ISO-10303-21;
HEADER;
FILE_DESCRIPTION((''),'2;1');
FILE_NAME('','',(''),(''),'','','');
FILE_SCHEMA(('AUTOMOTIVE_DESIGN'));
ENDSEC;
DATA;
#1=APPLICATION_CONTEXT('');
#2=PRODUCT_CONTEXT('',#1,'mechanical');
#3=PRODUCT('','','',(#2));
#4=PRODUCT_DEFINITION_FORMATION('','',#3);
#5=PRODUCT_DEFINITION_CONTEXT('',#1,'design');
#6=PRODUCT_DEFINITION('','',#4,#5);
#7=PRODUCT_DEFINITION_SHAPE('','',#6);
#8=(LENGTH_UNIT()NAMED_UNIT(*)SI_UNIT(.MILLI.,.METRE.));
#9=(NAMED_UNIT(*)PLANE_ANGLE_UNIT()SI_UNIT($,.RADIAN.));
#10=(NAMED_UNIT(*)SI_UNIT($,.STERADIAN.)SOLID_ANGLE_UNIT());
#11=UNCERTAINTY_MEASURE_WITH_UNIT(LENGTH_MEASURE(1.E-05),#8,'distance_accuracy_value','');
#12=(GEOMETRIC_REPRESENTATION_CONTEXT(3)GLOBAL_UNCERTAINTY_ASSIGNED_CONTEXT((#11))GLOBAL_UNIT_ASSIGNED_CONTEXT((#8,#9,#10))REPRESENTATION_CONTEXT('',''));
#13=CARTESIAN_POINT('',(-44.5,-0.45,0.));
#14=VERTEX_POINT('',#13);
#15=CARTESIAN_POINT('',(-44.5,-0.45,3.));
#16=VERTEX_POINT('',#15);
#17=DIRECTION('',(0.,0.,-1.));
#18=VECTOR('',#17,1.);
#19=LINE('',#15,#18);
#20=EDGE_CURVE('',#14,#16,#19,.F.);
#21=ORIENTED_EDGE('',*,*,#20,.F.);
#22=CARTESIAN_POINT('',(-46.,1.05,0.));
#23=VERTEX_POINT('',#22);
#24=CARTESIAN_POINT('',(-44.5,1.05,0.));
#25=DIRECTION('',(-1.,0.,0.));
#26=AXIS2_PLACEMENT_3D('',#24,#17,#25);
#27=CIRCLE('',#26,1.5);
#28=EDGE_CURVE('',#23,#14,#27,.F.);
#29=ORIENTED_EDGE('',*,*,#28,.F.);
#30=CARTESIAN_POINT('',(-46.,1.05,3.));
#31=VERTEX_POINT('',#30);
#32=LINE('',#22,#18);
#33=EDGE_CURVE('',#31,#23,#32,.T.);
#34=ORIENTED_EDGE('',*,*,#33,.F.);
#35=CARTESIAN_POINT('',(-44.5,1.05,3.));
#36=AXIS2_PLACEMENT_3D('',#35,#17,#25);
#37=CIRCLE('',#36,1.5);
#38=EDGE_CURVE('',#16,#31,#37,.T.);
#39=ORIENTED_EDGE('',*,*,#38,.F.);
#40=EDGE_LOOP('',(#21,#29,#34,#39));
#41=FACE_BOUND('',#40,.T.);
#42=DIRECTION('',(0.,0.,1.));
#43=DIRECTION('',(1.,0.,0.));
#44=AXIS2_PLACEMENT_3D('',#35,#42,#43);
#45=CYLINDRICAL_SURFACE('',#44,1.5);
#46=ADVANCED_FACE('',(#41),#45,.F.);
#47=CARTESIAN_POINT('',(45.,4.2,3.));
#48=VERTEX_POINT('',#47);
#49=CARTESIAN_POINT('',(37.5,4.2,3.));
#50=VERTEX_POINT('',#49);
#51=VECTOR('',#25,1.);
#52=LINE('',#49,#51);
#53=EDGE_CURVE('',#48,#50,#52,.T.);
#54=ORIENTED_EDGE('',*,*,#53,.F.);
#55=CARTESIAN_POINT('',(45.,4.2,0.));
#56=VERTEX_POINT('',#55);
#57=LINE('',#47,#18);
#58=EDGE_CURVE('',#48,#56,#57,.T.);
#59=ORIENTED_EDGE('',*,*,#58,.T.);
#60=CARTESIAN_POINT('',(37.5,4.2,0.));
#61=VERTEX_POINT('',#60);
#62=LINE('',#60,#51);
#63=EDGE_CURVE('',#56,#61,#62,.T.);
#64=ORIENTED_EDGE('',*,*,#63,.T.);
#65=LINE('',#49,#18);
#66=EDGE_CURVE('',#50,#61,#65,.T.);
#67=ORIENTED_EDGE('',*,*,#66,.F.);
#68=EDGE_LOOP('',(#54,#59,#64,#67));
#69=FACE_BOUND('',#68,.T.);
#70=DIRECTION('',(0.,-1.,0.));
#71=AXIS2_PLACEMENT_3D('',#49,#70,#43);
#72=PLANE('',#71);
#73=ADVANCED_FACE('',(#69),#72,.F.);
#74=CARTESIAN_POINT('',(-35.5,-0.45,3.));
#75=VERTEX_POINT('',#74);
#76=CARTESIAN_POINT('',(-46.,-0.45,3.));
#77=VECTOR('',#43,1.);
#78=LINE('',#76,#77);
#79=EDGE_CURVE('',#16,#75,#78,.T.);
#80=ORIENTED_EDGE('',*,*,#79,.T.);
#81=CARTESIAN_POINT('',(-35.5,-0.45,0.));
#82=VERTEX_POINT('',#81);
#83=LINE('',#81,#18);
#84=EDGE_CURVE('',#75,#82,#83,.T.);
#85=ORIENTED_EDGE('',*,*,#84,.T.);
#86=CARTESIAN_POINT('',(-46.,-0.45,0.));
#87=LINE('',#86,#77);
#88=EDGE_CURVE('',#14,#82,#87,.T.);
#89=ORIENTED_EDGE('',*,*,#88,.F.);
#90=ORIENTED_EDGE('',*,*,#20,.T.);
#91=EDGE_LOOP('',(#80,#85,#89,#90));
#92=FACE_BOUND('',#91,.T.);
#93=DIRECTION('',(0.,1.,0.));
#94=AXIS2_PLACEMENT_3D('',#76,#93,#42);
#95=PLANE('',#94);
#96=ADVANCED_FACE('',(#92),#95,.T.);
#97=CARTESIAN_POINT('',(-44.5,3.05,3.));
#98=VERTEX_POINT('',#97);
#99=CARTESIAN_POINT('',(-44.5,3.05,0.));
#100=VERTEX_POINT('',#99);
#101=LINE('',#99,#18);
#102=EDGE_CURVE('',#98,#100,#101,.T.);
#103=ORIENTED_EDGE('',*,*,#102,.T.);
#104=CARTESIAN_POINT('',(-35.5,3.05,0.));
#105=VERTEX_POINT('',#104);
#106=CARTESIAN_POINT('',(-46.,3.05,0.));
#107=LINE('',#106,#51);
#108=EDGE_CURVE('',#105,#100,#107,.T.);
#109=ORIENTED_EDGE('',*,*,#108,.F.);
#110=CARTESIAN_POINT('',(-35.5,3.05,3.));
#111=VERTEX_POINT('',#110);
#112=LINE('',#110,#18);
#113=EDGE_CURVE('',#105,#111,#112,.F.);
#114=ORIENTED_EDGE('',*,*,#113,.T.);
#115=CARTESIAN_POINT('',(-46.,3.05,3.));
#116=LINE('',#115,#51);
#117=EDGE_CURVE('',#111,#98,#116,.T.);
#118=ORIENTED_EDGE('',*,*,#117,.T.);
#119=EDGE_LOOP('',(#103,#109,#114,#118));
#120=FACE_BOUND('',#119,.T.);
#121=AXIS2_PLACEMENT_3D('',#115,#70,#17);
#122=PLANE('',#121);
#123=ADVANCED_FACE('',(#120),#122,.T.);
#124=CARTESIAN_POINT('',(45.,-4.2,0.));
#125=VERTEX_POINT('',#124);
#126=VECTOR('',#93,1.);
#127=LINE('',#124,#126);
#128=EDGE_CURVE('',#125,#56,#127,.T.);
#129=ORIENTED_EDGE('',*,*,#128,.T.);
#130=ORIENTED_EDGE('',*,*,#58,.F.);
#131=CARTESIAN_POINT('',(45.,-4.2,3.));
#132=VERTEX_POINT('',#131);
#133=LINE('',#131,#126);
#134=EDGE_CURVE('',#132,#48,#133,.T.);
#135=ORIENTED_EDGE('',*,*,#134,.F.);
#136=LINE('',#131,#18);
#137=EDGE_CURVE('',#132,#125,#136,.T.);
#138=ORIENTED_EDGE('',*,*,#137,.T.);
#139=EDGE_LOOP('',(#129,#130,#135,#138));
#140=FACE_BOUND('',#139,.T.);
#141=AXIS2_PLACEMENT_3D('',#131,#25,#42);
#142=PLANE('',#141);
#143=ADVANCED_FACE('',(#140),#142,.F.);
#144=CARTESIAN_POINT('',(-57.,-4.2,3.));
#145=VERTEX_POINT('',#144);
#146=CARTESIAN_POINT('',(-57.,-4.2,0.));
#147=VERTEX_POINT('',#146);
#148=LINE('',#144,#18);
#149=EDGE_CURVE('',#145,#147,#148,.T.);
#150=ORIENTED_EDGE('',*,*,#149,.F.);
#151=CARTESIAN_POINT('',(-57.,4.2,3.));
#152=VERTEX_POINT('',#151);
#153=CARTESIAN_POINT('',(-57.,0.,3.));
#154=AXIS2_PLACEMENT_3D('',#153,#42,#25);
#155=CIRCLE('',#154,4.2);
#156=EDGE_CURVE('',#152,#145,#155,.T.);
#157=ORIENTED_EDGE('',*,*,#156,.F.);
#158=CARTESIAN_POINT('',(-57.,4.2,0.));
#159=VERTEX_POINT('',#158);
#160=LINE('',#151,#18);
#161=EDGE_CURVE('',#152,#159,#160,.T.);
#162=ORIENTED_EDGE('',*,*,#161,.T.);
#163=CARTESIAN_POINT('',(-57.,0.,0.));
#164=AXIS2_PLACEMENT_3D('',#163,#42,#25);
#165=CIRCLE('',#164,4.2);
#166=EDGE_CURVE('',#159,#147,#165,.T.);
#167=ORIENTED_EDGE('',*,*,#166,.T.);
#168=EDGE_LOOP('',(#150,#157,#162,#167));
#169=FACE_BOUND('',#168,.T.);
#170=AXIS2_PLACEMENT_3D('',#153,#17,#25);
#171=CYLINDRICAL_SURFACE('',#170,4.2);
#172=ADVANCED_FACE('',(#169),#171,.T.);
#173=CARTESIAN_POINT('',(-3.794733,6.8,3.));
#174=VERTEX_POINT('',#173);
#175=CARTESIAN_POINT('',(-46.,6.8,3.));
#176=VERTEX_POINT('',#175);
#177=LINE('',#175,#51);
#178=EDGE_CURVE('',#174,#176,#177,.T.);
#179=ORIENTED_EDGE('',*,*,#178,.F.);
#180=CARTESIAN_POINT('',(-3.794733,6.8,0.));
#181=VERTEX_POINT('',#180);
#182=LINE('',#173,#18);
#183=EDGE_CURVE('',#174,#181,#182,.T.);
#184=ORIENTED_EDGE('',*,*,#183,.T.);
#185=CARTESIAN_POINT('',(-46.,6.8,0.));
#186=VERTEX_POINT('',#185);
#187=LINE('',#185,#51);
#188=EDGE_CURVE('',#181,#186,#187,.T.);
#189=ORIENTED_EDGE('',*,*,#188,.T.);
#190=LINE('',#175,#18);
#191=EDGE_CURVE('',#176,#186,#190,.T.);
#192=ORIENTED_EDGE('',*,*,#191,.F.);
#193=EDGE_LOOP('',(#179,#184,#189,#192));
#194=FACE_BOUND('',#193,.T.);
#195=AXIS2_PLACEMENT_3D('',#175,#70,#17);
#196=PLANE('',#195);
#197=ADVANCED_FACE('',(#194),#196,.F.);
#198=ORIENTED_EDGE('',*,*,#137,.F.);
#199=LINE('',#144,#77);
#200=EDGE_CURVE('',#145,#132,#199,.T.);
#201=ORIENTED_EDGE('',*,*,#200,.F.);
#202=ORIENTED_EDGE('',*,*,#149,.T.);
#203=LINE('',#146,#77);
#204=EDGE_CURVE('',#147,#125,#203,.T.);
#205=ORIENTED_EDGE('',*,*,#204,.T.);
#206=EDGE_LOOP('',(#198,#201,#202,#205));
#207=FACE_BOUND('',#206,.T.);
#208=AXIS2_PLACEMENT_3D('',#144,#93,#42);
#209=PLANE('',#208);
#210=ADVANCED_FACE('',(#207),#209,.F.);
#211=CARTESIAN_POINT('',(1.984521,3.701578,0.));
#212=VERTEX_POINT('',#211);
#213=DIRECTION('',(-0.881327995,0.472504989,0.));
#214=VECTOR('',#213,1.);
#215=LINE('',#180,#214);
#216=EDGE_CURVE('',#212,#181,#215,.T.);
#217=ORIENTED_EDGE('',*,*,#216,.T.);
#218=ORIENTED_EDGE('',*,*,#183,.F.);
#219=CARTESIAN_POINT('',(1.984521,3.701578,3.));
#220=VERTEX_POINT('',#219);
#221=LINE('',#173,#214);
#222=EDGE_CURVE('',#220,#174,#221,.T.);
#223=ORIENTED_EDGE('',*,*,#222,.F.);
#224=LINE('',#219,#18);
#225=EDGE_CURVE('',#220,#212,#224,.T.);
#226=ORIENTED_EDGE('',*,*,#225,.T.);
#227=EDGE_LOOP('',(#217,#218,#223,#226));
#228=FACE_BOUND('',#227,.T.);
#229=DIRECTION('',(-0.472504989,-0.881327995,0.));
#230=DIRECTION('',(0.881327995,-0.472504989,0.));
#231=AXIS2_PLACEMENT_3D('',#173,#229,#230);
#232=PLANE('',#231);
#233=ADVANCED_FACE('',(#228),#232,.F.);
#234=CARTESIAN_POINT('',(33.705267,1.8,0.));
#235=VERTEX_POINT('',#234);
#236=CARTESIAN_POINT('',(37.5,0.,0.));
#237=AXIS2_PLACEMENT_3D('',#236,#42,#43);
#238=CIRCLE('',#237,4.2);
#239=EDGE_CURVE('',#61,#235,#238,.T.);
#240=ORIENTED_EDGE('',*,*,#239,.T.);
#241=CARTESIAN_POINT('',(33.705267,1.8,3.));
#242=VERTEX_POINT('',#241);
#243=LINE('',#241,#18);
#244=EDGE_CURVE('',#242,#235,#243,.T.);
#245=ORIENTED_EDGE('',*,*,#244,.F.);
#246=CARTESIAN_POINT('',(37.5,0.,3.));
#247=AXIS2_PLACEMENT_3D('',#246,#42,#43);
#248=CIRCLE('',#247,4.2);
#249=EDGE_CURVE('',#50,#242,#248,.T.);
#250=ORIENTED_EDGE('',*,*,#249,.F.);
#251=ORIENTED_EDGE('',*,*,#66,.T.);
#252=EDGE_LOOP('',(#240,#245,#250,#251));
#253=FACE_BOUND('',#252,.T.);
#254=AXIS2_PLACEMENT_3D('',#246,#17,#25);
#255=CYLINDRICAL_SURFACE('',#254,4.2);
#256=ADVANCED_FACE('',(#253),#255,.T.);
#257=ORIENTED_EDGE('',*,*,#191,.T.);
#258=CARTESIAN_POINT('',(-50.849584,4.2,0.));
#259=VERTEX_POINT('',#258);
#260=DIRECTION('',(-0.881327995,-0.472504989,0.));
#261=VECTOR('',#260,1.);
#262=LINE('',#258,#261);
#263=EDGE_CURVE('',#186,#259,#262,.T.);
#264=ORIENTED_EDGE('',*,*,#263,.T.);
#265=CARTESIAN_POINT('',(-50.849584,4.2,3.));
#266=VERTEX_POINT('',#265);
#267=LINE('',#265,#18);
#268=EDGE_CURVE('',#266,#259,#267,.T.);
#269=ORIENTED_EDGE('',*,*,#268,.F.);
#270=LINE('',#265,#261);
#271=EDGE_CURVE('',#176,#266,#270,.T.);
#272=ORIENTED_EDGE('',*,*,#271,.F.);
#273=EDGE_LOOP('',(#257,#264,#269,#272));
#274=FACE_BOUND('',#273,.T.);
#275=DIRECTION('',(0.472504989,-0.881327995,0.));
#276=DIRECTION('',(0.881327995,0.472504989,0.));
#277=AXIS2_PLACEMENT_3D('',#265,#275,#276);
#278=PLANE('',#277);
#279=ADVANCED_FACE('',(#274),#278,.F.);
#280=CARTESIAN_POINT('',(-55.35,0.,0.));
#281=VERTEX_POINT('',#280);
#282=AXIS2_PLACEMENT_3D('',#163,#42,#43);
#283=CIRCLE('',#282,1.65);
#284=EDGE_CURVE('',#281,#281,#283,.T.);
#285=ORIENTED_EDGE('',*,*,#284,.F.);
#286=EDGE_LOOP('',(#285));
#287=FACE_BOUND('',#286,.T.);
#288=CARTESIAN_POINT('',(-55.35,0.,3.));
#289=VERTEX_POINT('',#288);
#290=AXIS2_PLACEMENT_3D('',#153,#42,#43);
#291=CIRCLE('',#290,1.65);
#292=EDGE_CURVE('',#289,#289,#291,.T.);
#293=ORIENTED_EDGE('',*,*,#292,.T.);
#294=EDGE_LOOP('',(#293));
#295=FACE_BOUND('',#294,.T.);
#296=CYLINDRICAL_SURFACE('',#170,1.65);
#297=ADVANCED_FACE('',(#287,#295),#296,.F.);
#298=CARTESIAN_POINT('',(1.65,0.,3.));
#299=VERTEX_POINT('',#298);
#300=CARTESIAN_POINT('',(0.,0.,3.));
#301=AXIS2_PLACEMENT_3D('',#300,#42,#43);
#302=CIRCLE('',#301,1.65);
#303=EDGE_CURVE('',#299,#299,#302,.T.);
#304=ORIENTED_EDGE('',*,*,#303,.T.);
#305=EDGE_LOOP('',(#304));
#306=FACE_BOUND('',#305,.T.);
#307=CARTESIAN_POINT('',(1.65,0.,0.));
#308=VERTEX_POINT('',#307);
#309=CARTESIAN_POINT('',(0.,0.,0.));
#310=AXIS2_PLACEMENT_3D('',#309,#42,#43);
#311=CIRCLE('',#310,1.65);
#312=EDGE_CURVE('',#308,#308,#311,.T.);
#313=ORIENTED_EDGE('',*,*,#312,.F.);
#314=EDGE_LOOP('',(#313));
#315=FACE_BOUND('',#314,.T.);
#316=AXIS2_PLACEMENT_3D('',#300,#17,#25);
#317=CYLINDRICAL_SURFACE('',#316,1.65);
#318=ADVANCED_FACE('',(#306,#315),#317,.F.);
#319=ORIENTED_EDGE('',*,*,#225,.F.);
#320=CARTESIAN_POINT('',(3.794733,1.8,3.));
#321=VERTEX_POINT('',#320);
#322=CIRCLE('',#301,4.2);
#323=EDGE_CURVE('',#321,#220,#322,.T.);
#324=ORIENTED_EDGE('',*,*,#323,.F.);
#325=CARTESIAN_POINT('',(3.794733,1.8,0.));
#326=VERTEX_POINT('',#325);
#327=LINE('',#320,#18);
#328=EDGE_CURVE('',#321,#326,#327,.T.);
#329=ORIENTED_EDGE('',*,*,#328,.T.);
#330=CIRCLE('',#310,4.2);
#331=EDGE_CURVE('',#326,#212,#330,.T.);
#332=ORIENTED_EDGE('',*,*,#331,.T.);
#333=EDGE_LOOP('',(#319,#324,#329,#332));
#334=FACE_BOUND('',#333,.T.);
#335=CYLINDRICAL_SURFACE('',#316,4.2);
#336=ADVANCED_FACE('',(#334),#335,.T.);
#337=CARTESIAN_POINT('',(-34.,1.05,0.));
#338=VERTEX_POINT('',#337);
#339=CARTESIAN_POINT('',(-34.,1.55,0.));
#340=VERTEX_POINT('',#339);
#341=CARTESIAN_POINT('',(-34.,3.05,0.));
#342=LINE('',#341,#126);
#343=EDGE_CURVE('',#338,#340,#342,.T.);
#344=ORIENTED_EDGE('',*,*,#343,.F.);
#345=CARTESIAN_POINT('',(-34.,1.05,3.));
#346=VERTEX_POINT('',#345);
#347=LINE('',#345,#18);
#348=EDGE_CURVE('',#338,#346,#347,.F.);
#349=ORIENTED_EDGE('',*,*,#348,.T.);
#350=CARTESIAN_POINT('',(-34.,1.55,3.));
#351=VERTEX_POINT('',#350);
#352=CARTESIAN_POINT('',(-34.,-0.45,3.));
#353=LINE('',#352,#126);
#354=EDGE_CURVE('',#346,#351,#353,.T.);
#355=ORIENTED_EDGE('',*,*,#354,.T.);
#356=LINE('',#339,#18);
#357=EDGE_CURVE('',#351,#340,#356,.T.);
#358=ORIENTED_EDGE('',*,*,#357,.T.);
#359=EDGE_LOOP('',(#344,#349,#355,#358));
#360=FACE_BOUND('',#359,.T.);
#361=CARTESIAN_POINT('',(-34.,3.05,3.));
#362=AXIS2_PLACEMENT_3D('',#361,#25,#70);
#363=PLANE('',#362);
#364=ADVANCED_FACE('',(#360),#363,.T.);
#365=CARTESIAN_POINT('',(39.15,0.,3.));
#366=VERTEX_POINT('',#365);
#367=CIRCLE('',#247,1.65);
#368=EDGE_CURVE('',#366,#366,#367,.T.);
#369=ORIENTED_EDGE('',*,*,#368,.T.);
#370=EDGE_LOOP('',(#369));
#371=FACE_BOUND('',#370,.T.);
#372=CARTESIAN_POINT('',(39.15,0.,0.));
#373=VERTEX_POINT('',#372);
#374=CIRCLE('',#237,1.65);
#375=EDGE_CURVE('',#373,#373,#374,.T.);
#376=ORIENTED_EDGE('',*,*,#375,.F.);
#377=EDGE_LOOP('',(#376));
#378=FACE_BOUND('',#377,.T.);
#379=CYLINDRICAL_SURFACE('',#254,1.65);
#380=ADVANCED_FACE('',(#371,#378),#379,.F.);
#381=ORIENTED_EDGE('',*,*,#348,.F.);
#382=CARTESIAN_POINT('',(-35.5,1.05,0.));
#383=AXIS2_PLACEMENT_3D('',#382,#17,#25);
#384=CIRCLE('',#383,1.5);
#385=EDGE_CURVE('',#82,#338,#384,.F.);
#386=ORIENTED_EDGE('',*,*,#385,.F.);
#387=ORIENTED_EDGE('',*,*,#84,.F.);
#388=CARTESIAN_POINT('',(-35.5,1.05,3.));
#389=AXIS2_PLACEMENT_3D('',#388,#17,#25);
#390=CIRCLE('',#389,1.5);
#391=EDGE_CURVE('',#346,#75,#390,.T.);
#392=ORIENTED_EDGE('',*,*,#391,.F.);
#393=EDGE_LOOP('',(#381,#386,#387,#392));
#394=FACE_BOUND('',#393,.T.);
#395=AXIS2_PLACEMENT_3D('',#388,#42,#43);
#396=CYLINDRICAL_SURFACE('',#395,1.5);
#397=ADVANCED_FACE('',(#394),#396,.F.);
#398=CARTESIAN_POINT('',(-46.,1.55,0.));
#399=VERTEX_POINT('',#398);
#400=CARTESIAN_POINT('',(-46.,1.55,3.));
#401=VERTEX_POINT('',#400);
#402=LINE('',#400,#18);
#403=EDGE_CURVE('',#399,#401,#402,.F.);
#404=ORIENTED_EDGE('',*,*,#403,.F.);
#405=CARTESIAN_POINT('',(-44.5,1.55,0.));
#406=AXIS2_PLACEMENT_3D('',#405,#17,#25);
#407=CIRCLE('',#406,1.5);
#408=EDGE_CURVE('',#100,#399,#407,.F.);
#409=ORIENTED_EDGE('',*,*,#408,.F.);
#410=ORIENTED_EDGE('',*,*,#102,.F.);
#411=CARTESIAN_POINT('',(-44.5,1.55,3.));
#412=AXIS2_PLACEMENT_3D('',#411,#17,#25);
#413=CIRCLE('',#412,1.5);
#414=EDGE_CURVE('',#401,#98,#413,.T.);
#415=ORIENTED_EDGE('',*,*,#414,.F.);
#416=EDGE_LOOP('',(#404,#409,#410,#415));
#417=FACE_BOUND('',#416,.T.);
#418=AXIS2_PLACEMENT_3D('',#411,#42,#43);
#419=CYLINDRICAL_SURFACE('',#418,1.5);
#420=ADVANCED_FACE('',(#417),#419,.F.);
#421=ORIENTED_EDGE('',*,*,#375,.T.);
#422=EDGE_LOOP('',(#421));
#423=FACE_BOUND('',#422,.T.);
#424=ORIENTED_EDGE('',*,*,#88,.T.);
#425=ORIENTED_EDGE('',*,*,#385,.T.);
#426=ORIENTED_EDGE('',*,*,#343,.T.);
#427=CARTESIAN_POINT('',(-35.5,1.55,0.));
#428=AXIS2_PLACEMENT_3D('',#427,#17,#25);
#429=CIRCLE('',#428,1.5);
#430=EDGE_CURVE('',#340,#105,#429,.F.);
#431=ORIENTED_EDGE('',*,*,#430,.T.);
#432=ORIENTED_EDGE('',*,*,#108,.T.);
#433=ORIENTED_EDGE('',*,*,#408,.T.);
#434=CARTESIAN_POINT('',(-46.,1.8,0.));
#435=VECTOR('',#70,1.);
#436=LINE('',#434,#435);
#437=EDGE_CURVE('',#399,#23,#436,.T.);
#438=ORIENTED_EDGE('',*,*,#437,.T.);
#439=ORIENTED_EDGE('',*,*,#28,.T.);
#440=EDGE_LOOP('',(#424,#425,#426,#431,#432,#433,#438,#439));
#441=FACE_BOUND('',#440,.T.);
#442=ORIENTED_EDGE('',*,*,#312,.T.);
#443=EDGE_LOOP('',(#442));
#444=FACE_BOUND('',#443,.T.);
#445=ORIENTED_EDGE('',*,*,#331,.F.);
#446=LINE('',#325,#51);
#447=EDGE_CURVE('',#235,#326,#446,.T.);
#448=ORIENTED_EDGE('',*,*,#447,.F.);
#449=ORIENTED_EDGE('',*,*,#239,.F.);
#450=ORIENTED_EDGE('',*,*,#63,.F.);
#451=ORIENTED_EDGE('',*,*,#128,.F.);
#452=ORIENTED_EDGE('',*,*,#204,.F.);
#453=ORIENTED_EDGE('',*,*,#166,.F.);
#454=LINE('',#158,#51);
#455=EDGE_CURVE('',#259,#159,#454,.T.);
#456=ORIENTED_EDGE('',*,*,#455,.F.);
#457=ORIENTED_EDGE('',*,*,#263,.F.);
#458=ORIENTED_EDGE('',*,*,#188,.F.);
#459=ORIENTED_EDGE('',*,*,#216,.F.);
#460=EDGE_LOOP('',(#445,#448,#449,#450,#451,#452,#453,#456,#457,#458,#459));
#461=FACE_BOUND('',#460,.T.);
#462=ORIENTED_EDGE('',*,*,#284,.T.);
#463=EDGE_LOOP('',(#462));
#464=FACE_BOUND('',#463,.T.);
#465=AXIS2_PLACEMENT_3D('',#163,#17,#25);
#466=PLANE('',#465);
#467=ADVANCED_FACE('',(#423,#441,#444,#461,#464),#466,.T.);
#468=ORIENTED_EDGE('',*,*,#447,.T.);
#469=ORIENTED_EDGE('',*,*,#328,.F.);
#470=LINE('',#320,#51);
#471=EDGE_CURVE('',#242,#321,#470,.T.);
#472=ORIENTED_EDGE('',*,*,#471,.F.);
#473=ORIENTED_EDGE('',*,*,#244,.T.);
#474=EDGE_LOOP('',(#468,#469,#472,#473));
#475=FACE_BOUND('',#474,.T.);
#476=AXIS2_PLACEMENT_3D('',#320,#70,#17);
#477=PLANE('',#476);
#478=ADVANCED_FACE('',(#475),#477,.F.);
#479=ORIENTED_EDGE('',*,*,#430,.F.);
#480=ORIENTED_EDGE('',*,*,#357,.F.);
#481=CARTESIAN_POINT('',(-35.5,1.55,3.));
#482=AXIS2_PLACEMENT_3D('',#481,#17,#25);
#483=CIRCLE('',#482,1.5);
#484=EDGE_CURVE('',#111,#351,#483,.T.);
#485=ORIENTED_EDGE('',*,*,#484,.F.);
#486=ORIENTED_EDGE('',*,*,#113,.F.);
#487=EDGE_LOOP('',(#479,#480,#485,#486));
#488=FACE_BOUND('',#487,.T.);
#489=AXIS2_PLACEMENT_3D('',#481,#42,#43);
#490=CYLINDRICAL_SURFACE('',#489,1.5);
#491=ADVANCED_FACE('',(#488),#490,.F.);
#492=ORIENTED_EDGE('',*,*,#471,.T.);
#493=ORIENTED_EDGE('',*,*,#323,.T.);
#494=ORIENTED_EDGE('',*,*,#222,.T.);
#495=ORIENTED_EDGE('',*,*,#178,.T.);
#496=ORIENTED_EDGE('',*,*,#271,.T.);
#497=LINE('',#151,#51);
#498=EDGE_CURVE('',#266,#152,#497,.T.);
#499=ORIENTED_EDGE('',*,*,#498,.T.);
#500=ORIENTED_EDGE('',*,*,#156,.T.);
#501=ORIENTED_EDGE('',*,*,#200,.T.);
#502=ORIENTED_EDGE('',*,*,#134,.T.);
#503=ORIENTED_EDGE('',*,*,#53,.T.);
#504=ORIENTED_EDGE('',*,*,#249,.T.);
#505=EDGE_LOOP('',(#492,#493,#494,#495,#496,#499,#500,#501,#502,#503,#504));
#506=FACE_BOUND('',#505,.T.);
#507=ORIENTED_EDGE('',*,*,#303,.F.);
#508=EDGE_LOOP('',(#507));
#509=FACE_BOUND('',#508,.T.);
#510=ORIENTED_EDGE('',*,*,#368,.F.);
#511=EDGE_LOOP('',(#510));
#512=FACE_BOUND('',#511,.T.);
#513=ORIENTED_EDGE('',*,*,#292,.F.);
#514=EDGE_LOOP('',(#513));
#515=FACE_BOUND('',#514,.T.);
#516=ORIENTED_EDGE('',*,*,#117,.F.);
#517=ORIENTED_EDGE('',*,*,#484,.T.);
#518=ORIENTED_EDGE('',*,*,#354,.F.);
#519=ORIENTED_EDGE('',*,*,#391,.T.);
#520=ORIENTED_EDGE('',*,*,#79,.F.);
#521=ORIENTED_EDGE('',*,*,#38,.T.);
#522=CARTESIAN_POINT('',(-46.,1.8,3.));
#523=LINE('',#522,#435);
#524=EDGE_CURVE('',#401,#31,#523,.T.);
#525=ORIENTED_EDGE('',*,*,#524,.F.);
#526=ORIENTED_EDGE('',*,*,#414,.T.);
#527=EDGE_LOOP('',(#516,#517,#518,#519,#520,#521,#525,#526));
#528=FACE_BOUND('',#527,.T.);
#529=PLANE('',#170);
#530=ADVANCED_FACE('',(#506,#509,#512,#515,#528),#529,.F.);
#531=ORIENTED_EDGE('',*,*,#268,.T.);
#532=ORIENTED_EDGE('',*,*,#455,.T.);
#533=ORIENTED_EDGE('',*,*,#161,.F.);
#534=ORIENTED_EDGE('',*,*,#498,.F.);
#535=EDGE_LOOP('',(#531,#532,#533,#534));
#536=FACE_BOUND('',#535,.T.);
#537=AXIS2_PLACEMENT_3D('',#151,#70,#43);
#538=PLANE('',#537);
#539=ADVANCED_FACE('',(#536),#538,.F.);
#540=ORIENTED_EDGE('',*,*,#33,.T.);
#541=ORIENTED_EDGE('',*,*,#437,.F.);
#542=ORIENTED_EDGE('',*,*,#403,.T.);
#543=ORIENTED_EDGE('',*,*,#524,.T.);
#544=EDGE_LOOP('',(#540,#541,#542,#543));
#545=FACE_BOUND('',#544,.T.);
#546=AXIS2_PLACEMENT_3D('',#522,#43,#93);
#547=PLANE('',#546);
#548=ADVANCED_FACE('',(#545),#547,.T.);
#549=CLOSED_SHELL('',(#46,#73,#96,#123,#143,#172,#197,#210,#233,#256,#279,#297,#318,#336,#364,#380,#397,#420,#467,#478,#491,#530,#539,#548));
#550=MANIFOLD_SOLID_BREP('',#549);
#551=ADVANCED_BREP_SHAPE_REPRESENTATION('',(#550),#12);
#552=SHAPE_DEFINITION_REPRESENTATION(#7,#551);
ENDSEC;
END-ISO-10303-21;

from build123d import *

# Parameters (mm, degrees)
SKETCH1_R           = 1.65
BOSS_EXTRUDE1_DEPTH = 3
FILLET1_R           = 1.5


with BuildPart() as part:
    # Sketch1 → Boss-Extrude1 (new body)
    with BuildSketch(Plane.XY):
        with BuildLine():
            Line((-57, -4.2), (45, -4.2))
            Line((45, -4.2), (45, 4.2))
            Line((45, 4.2), (37.5, 4.2))
            ThreePointArc((37.5, 4.2), (35.255005568, 3.54964787), (33.705266808, 1.8))
            Line((33.705266808, 1.8), (3.794733192, 1.8))
            ThreePointArc((3.794733192, 1.8), (3.042029577, 2.89586879), (1.984520956, 3.701577579))
            Line((1.984520956, 3.701577579), (-3.794733192, 6.8))
            Line((-3.794733192, 6.8), (-46, 6.8))
            Line((-46, 6.8), (-50.849584319, 4.2))
            Line((-50.849584319, 4.2), (-57, 4.2))
            ThreePointArc((-57, 4.2), (-61.2, 0), (-57, -4.2))
        make_face()
        Circle(SKETCH1_R, mode=Mode.SUBTRACT)
        with Locations((-57, 0)):
            Circle(SKETCH1_R, mode=Mode.SUBTRACT)
        with Locations((37.5, 0)):
            Circle(SKETCH1_R, mode=Mode.SUBTRACT)
        Polygon((-46, -0.45), (-34, -0.45), (-34, 1.8), (-34, 3.05), (-46, 3.05), (-46, 1.8), align=None, mode=Mode.SUBTRACT)
    extrude(amount=BOSS_EXTRUDE1_DEPTH)

    # Fillet1
    fillet1_edges = [part.edges().sort_by_distance(p)[0] for p in [
        (-34, -0.45, 1.5),
        (-34, 3.05, 1.5),
        (-46, 3.05, 1.5),
        (-46, -0.45, 1.5),
    ]]
    fillet(fillet1_edges, radius=FILLET1_R)


solid = part.part
